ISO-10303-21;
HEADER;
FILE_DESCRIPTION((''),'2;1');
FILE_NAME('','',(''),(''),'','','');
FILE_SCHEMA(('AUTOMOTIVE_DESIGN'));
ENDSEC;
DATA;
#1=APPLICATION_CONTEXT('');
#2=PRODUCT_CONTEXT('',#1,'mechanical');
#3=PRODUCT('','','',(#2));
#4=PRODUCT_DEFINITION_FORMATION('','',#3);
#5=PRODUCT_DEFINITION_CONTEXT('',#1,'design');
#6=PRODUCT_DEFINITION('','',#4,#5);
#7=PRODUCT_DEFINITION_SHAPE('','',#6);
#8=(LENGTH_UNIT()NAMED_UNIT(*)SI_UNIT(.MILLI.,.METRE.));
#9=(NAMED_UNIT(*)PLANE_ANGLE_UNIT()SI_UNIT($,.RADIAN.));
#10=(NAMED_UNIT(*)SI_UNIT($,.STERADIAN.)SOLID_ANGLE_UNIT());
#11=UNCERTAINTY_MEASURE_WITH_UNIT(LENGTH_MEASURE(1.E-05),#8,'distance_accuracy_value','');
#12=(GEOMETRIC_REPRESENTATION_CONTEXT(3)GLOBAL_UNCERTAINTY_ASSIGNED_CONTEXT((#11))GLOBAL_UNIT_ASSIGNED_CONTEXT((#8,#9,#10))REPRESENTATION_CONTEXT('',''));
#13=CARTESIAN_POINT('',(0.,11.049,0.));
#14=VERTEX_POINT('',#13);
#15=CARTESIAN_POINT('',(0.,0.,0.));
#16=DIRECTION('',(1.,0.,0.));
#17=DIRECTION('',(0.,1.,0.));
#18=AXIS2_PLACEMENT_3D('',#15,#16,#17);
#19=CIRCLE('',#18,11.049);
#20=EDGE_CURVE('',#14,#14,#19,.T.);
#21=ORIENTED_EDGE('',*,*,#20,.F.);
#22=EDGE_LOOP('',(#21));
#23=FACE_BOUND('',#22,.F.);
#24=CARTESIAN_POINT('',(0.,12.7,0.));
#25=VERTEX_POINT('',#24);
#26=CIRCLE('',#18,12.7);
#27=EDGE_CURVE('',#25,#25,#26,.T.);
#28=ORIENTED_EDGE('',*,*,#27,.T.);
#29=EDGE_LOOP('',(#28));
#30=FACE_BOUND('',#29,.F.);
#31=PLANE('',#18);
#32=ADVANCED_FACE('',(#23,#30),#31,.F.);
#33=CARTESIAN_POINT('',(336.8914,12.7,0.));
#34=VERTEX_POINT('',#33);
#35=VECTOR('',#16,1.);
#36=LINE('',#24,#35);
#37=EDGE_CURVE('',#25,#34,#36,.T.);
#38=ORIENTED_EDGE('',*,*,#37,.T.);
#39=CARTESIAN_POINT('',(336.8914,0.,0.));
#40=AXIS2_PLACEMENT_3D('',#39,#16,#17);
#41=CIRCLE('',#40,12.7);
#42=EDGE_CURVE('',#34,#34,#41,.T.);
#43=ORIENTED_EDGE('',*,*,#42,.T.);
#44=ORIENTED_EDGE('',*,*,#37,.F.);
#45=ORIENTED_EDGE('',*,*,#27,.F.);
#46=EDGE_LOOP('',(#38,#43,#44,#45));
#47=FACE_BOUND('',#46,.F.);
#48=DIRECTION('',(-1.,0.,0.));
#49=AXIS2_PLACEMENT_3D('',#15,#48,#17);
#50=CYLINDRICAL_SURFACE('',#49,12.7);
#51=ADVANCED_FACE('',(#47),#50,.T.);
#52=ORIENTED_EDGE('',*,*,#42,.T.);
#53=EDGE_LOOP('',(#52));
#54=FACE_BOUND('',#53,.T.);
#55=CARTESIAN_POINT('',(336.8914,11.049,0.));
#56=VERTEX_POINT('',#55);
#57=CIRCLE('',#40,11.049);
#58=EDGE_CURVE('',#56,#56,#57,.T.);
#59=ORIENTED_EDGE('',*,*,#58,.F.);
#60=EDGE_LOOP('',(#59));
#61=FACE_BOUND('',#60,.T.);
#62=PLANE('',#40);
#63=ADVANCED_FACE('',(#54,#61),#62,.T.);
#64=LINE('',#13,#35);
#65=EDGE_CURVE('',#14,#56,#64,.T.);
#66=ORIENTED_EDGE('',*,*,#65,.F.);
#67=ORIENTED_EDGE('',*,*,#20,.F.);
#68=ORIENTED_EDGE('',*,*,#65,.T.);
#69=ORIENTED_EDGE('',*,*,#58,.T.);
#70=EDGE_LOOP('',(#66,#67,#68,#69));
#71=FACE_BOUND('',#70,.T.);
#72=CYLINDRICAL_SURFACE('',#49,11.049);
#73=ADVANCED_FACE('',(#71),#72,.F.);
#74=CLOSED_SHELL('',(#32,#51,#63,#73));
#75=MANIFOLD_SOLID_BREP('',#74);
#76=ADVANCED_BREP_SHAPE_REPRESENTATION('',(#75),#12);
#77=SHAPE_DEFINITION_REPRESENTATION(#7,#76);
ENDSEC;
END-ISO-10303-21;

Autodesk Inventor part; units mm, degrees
ref_plane "XZ Plane" through (0, 0, 0) normal (0, 1, 0) x (-1, 0, 0)
ref_plane "Start Plane" through (0, 0, 0) normal (1, 0, 0) x (0, 1, 0)
ref_plane "End Plane" through (336.8914, 0, 0) normal (1, 0, 0) x (0, 1, 0)
sketch "Sketch" plane through (0, 0, 0) normal (1, 0, 0) x (0, 1, 0)
  circle A0 centre (0, 0) radius 12.7
  circle A1 centre (0, 0) radius 11.049
  dimension "d0" = 25.4
  dimension "d1" = 1.651
extrude "Body" add sketch "Sketch" along normal up to surface (336.8914 mm away) from surface at 0
sketch "Sketch2" plane through (0, 0, 0) normal (1, 0, 0) x (0, 1, 0)
  line L0 (0, 0) -> (10, 0)
ref_plane "Work Plane3" through (0, 0, 0) normal (0, 0, -1) x (0, 1, 0)
sketch "Sketch3" plane through (0, 0, 0) normal (0, 0, -1) x (0, 1, 0)
  line L0 (-2, 0) -> (12, 0)
  line L1 (-2, 336.8914) -> (12, 336.8914)
  dimension "d9" = 336.8914
equation "\"G_OFFSET_START\" = 0"
equation "\"G_OFFSET_END\" = 0"
equation "\"d5\" = d2 + G_OFFSET_END"
equation "\"G_L\" = d9"
equation "\"d2\" = 336.891386"
properties part number "4130_1x0.065" material "Steel, Alloy"
